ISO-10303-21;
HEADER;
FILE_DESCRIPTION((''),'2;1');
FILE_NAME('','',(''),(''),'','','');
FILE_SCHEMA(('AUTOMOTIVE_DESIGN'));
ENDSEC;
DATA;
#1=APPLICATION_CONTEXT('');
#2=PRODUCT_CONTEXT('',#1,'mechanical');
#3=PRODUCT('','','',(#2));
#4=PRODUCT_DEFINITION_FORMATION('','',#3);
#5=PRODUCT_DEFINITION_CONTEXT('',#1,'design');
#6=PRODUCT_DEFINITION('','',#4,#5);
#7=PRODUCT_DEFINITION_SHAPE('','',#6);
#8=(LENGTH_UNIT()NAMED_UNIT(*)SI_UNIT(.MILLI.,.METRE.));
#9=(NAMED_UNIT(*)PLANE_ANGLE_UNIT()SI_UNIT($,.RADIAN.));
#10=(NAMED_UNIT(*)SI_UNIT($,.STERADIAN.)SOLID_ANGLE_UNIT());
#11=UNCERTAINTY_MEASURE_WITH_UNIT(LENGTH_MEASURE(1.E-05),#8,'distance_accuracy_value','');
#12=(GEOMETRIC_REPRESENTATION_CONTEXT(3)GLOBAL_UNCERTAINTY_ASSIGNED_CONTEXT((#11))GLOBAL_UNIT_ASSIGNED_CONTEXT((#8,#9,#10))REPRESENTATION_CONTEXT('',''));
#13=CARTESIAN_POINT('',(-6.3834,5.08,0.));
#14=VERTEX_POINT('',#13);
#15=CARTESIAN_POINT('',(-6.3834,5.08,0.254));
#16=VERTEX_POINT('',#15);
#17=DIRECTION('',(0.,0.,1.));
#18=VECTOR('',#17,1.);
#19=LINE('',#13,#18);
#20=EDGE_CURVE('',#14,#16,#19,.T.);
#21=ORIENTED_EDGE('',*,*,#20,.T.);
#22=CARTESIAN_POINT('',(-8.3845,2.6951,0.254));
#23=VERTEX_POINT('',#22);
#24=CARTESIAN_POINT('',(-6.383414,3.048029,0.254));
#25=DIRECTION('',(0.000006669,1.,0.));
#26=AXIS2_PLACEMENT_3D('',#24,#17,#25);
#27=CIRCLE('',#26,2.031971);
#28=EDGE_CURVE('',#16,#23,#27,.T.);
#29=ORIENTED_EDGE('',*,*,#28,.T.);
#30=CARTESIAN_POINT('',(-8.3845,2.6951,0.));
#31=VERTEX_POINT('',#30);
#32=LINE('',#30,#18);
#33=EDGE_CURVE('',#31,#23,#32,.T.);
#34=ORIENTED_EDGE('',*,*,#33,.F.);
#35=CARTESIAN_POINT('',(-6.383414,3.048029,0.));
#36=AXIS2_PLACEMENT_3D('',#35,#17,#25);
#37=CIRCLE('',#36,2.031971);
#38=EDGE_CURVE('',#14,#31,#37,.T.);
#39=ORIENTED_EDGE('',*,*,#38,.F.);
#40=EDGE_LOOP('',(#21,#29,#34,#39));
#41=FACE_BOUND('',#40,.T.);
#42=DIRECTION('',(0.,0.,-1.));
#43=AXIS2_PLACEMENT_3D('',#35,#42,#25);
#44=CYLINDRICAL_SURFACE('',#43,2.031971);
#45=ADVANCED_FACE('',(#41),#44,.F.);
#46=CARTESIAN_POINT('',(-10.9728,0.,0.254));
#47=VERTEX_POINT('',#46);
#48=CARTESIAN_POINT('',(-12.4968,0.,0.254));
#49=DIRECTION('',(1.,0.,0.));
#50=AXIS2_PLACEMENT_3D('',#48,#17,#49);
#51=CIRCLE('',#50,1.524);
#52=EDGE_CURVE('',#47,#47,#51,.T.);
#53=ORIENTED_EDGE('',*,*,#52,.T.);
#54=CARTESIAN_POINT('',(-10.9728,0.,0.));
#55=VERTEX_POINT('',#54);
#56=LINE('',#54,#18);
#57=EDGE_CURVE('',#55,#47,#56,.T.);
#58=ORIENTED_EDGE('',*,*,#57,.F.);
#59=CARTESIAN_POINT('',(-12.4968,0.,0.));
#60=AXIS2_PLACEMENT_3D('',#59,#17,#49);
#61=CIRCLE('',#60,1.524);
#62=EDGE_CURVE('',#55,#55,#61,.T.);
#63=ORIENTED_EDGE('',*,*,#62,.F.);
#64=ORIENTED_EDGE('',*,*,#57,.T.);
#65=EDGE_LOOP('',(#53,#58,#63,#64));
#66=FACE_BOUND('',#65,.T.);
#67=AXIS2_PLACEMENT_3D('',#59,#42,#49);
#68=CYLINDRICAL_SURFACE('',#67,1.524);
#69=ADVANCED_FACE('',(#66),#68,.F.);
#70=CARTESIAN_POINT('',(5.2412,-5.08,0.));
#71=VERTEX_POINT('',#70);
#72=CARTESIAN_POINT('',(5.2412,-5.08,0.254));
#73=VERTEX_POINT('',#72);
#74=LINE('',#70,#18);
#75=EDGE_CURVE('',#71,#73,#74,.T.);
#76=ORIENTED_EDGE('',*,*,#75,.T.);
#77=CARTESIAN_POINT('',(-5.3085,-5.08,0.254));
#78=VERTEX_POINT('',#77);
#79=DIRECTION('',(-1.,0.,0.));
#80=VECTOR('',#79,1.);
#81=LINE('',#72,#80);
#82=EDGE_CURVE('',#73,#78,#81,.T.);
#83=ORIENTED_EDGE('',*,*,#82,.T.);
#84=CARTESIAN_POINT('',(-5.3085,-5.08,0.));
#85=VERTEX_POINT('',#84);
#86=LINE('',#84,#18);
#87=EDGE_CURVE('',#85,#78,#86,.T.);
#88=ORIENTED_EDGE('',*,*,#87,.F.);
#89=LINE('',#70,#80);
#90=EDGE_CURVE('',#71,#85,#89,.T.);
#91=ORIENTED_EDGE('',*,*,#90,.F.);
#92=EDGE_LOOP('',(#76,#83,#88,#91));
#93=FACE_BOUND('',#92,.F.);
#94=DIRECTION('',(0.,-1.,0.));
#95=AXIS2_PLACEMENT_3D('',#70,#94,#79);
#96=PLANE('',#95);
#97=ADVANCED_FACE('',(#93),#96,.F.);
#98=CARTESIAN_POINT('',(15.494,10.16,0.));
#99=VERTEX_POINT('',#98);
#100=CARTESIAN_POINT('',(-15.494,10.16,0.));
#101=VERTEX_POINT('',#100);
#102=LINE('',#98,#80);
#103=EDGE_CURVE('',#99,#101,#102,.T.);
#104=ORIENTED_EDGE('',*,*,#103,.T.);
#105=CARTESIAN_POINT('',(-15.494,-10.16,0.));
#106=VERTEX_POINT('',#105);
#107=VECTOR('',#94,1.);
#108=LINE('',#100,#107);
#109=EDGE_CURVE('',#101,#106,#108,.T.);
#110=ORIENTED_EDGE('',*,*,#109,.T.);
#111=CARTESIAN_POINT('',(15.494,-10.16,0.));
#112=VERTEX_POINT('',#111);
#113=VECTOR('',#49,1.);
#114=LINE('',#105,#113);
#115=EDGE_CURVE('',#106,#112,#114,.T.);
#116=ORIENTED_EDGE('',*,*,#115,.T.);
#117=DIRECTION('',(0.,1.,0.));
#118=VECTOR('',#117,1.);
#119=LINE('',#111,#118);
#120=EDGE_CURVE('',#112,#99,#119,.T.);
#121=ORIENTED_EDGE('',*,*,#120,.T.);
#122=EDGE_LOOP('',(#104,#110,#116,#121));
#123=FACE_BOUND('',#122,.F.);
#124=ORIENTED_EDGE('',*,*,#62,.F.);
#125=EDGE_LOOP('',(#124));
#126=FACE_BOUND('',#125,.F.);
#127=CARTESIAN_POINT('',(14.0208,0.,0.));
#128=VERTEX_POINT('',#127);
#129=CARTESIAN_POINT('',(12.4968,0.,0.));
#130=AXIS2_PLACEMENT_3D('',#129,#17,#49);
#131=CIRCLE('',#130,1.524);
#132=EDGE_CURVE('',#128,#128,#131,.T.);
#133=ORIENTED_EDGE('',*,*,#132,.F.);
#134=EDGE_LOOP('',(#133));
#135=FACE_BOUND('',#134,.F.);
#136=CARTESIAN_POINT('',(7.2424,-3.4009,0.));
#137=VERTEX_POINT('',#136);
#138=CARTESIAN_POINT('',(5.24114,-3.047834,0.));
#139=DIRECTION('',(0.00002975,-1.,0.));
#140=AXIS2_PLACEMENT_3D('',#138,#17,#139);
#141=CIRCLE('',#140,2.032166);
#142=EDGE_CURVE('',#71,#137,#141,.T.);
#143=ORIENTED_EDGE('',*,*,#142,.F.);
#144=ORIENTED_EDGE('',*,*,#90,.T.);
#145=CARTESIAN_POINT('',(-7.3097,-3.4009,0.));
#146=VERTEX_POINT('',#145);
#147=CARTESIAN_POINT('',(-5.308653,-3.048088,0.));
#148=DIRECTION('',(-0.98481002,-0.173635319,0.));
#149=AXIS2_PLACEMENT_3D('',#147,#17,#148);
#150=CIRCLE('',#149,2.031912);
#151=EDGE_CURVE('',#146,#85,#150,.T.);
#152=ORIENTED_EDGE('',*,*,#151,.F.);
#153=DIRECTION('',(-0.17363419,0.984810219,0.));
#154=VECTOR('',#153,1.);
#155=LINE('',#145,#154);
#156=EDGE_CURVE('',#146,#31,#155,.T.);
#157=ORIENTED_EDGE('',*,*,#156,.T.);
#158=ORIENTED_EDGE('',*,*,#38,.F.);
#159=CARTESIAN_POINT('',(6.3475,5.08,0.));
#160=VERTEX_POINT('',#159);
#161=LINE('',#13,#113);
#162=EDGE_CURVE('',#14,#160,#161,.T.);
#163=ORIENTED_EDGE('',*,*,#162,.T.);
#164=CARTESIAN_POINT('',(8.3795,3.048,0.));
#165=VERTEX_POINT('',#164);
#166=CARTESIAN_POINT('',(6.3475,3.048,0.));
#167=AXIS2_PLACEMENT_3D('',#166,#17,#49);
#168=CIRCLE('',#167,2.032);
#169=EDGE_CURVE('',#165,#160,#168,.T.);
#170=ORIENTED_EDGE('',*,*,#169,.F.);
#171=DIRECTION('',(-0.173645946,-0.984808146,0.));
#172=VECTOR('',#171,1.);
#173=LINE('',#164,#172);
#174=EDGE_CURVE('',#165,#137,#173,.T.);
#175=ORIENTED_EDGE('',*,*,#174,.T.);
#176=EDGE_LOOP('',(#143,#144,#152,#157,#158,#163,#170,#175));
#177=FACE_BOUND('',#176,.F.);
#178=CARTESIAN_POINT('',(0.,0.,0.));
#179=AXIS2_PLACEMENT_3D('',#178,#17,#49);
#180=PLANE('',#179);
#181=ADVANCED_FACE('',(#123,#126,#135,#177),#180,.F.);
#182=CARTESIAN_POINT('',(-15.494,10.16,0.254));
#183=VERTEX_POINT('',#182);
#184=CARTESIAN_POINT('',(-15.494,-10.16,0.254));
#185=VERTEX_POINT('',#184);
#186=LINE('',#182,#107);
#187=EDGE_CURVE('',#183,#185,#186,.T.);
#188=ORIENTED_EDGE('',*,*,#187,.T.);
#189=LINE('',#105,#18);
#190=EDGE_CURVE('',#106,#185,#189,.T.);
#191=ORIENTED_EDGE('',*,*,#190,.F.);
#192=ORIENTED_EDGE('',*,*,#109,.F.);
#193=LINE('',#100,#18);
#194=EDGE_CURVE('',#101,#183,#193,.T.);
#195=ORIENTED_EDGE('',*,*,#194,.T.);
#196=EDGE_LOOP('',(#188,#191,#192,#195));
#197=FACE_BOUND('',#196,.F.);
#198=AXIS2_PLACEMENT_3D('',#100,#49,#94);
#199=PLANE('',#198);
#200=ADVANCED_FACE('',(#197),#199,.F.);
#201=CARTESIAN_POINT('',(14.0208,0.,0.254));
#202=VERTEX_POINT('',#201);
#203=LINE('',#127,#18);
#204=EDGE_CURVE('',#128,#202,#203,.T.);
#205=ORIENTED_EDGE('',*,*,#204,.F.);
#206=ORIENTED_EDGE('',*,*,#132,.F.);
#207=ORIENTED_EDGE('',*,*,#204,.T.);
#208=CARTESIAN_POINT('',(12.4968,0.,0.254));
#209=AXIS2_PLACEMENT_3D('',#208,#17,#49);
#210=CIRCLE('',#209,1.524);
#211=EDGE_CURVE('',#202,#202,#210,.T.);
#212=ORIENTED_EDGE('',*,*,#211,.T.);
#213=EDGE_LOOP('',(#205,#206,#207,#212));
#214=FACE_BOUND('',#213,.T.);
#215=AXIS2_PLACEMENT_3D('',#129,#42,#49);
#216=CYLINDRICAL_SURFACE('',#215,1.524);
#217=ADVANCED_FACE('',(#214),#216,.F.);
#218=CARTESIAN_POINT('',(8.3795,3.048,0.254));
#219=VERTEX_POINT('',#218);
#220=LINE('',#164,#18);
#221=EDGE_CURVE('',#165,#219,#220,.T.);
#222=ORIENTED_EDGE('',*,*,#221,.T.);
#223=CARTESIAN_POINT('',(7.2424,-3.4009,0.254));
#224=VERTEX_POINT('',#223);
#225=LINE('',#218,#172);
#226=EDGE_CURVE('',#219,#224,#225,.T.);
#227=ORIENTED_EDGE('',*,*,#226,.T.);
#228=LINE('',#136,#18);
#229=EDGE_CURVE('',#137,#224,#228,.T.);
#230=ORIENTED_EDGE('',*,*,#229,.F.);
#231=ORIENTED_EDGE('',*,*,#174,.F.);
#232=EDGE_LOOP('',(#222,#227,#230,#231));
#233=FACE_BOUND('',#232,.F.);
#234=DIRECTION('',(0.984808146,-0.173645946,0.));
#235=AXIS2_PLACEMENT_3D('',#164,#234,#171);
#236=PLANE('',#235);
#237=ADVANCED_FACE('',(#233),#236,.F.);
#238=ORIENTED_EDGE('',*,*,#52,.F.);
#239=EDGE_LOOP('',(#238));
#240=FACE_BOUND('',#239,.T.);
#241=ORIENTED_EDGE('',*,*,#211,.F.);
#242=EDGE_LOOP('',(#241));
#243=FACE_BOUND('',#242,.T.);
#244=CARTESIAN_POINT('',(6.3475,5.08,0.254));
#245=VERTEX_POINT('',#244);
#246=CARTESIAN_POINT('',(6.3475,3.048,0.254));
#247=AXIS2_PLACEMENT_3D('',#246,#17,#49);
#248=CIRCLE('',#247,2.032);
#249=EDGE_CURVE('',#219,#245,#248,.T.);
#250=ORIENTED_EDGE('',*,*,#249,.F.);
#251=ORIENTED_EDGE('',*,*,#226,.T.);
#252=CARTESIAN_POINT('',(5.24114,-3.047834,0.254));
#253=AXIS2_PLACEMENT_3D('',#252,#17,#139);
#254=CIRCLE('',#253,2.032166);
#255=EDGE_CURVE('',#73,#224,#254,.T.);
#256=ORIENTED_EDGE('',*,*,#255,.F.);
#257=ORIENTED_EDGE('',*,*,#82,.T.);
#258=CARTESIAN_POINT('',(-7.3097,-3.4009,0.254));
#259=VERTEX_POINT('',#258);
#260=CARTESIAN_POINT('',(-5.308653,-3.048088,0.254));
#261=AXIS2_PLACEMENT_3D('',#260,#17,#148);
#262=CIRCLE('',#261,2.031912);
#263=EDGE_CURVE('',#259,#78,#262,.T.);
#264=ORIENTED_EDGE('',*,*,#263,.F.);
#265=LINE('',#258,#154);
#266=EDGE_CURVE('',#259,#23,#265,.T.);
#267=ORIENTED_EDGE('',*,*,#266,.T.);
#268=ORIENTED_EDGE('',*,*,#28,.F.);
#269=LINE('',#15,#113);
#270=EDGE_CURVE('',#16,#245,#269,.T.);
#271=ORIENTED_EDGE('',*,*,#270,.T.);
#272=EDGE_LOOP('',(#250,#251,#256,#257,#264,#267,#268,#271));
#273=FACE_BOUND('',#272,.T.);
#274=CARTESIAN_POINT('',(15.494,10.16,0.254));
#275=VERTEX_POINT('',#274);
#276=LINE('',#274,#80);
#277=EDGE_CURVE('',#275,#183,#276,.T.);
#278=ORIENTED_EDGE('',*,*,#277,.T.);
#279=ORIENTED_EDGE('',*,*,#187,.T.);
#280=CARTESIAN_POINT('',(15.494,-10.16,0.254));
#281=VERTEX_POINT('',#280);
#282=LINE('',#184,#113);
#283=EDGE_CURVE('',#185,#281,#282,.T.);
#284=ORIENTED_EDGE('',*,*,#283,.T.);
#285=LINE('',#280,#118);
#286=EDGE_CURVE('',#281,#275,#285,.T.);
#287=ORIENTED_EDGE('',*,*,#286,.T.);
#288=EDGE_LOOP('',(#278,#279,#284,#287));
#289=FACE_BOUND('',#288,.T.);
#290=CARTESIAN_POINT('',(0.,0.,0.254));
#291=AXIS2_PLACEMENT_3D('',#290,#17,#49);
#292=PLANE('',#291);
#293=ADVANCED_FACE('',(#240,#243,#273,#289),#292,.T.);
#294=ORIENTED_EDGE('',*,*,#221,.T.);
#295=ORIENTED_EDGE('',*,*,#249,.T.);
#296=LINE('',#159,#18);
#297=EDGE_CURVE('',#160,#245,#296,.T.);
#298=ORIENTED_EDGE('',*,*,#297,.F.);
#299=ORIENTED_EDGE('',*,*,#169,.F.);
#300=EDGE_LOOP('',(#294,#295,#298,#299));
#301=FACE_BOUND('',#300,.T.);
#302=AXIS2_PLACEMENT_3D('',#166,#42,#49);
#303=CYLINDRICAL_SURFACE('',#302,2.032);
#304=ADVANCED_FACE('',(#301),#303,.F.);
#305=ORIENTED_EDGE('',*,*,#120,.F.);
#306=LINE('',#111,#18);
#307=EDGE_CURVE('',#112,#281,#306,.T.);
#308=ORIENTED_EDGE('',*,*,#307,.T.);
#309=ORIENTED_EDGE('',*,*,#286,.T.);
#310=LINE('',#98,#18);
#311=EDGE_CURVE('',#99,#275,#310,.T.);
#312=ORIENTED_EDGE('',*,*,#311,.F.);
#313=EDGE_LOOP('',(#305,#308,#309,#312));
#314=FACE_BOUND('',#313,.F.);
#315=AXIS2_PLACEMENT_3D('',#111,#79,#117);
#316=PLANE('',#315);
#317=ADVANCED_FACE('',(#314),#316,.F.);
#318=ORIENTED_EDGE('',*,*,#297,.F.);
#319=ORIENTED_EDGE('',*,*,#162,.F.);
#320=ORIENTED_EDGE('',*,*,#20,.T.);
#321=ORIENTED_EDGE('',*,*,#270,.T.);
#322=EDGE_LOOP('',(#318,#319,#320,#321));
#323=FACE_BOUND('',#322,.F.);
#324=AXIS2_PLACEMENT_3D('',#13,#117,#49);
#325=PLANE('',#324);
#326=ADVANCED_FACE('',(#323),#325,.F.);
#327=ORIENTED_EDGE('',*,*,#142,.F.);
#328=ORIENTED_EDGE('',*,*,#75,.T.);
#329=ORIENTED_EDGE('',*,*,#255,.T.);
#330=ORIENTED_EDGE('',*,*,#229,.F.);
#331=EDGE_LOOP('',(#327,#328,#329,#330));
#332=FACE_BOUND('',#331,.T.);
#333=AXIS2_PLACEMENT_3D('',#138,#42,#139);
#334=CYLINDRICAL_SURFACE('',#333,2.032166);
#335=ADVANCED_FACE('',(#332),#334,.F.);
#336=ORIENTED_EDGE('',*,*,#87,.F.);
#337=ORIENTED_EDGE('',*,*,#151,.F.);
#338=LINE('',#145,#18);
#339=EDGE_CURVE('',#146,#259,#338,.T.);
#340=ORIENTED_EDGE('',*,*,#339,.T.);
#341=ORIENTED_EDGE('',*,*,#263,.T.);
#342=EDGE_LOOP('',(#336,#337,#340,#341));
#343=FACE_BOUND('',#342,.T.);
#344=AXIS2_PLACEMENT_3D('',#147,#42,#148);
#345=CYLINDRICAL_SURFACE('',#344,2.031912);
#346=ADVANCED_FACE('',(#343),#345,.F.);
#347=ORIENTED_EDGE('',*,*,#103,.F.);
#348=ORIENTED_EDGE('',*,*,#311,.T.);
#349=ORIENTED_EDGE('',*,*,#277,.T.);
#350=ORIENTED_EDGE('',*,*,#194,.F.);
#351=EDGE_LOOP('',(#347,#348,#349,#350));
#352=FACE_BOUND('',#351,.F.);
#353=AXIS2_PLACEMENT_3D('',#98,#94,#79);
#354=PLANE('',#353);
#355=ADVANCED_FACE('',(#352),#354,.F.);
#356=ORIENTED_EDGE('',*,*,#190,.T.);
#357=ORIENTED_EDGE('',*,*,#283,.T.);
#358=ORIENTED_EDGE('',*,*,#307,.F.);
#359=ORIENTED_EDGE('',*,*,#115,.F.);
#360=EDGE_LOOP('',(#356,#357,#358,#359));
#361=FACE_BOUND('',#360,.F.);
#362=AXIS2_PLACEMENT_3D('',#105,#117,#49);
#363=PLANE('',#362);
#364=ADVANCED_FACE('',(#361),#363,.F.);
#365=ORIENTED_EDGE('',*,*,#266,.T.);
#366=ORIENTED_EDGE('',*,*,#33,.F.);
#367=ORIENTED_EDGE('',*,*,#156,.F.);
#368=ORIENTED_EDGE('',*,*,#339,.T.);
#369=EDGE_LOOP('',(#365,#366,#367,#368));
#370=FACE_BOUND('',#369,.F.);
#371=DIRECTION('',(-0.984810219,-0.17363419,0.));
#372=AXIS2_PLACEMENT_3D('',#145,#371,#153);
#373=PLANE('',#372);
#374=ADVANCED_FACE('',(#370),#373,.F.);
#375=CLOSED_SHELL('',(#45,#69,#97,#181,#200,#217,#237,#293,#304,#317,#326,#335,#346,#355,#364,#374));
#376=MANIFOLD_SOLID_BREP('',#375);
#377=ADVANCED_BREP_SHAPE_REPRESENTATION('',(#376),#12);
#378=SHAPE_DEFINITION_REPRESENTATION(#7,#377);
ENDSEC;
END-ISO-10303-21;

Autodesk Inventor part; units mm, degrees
ref_plane "YZ Plane" through (0, 0, 0) normal (1, 0, 0) x (0, 1, 0)
ref_plane "XZ Plane" through (0, 0, 0) normal (0, 1, 0) x (-1, 0, 0)
ref_plane "XY Plane" through (0, 0, 0) normal (0, 0, 1) x (1, 0, 0)
sketch "Sketch1" plane through (0, 0, 0) normal (0, 0, 1) x (1, 0, 0)
  line L0 (-15.494, -10.16) -> (15.494, -10.16)
  line L1 (15.494, -10.16) -> (15.494, 10.16)
  line L2 (15.494, 10.16) -> (-15.494, 10.16)
  line L3 (-15.494, 10.16) -> (-15.494, -10.16)
  line L4 (-15.494, -10.16) -> (15.494, 10.16) construction
  line L5 (15.494, -10.16) -> (-15.494, 10.16) construction
  line L6 (-6.3834, 5.08) -> (6.3475, 5.08)
  arc A0 (8.3795, 3.048) -> (6.3475, 5.08) centre (6.3475, 3.048) ccw
  line L7 (8.3795, 3.048) -> (7.2424, -3.4009)
  arc A1 (5.2412, -5.08) -> (7.2424, -3.4009) centre (5.2412, -3.048) ccw
  line L8 (5.2412, -5.08) -> (-5.3085, -5.08)
  line L9 (8.3795, 3.048) -> (8.3795, -2.029) construction
  arc A2 (-7.3097, -3.4009) -> (-5.3085, -5.08) centre (-5.3085, -3.048) ccw
  line L10 (-7.3097, -3.4009) -> (-8.3845, 2.6951)
  arc A3 (-6.3834, 5.08) -> (-8.3845, 2.6951) centre (-6.3834, 3.048) ccw
  line L11 (-8.3845, 2.6951) -> (-8.3845, -5.4012) construction
  circle A4 centre (12.4968, 0) radius 1.524
  circle A5 centre (-12.4968, 0) radius 1.524
  point P0 (0, 0)
  dimension "d0" = 30.988
  dimension "d1" = 20.32
  dimension "d2" = 10
  dimension "d4" = 10.16
  dimension "d5" = 10
  dimension "d6" = 7.1095
  dimension "d7" = 5.08
  dimension "d8" = 2.032
  dimension "d9" = 2.032
  dimension "d10" = 2.032
  dimension "d11" = 2.032
  dimension "d12" = 16.764
  dimension "d13" = 24.9936
  dimension "d14" = 3.048
  dimension "d15" = 3.048
  dimension "d16" = 2.9972
  dimension "d17" = 10.16
  dimension "d18" = 10.16
extrude "Extrusion1" add sketch "Sketch1" along normal blind 0.254
properties part number "gasketdsub9"
